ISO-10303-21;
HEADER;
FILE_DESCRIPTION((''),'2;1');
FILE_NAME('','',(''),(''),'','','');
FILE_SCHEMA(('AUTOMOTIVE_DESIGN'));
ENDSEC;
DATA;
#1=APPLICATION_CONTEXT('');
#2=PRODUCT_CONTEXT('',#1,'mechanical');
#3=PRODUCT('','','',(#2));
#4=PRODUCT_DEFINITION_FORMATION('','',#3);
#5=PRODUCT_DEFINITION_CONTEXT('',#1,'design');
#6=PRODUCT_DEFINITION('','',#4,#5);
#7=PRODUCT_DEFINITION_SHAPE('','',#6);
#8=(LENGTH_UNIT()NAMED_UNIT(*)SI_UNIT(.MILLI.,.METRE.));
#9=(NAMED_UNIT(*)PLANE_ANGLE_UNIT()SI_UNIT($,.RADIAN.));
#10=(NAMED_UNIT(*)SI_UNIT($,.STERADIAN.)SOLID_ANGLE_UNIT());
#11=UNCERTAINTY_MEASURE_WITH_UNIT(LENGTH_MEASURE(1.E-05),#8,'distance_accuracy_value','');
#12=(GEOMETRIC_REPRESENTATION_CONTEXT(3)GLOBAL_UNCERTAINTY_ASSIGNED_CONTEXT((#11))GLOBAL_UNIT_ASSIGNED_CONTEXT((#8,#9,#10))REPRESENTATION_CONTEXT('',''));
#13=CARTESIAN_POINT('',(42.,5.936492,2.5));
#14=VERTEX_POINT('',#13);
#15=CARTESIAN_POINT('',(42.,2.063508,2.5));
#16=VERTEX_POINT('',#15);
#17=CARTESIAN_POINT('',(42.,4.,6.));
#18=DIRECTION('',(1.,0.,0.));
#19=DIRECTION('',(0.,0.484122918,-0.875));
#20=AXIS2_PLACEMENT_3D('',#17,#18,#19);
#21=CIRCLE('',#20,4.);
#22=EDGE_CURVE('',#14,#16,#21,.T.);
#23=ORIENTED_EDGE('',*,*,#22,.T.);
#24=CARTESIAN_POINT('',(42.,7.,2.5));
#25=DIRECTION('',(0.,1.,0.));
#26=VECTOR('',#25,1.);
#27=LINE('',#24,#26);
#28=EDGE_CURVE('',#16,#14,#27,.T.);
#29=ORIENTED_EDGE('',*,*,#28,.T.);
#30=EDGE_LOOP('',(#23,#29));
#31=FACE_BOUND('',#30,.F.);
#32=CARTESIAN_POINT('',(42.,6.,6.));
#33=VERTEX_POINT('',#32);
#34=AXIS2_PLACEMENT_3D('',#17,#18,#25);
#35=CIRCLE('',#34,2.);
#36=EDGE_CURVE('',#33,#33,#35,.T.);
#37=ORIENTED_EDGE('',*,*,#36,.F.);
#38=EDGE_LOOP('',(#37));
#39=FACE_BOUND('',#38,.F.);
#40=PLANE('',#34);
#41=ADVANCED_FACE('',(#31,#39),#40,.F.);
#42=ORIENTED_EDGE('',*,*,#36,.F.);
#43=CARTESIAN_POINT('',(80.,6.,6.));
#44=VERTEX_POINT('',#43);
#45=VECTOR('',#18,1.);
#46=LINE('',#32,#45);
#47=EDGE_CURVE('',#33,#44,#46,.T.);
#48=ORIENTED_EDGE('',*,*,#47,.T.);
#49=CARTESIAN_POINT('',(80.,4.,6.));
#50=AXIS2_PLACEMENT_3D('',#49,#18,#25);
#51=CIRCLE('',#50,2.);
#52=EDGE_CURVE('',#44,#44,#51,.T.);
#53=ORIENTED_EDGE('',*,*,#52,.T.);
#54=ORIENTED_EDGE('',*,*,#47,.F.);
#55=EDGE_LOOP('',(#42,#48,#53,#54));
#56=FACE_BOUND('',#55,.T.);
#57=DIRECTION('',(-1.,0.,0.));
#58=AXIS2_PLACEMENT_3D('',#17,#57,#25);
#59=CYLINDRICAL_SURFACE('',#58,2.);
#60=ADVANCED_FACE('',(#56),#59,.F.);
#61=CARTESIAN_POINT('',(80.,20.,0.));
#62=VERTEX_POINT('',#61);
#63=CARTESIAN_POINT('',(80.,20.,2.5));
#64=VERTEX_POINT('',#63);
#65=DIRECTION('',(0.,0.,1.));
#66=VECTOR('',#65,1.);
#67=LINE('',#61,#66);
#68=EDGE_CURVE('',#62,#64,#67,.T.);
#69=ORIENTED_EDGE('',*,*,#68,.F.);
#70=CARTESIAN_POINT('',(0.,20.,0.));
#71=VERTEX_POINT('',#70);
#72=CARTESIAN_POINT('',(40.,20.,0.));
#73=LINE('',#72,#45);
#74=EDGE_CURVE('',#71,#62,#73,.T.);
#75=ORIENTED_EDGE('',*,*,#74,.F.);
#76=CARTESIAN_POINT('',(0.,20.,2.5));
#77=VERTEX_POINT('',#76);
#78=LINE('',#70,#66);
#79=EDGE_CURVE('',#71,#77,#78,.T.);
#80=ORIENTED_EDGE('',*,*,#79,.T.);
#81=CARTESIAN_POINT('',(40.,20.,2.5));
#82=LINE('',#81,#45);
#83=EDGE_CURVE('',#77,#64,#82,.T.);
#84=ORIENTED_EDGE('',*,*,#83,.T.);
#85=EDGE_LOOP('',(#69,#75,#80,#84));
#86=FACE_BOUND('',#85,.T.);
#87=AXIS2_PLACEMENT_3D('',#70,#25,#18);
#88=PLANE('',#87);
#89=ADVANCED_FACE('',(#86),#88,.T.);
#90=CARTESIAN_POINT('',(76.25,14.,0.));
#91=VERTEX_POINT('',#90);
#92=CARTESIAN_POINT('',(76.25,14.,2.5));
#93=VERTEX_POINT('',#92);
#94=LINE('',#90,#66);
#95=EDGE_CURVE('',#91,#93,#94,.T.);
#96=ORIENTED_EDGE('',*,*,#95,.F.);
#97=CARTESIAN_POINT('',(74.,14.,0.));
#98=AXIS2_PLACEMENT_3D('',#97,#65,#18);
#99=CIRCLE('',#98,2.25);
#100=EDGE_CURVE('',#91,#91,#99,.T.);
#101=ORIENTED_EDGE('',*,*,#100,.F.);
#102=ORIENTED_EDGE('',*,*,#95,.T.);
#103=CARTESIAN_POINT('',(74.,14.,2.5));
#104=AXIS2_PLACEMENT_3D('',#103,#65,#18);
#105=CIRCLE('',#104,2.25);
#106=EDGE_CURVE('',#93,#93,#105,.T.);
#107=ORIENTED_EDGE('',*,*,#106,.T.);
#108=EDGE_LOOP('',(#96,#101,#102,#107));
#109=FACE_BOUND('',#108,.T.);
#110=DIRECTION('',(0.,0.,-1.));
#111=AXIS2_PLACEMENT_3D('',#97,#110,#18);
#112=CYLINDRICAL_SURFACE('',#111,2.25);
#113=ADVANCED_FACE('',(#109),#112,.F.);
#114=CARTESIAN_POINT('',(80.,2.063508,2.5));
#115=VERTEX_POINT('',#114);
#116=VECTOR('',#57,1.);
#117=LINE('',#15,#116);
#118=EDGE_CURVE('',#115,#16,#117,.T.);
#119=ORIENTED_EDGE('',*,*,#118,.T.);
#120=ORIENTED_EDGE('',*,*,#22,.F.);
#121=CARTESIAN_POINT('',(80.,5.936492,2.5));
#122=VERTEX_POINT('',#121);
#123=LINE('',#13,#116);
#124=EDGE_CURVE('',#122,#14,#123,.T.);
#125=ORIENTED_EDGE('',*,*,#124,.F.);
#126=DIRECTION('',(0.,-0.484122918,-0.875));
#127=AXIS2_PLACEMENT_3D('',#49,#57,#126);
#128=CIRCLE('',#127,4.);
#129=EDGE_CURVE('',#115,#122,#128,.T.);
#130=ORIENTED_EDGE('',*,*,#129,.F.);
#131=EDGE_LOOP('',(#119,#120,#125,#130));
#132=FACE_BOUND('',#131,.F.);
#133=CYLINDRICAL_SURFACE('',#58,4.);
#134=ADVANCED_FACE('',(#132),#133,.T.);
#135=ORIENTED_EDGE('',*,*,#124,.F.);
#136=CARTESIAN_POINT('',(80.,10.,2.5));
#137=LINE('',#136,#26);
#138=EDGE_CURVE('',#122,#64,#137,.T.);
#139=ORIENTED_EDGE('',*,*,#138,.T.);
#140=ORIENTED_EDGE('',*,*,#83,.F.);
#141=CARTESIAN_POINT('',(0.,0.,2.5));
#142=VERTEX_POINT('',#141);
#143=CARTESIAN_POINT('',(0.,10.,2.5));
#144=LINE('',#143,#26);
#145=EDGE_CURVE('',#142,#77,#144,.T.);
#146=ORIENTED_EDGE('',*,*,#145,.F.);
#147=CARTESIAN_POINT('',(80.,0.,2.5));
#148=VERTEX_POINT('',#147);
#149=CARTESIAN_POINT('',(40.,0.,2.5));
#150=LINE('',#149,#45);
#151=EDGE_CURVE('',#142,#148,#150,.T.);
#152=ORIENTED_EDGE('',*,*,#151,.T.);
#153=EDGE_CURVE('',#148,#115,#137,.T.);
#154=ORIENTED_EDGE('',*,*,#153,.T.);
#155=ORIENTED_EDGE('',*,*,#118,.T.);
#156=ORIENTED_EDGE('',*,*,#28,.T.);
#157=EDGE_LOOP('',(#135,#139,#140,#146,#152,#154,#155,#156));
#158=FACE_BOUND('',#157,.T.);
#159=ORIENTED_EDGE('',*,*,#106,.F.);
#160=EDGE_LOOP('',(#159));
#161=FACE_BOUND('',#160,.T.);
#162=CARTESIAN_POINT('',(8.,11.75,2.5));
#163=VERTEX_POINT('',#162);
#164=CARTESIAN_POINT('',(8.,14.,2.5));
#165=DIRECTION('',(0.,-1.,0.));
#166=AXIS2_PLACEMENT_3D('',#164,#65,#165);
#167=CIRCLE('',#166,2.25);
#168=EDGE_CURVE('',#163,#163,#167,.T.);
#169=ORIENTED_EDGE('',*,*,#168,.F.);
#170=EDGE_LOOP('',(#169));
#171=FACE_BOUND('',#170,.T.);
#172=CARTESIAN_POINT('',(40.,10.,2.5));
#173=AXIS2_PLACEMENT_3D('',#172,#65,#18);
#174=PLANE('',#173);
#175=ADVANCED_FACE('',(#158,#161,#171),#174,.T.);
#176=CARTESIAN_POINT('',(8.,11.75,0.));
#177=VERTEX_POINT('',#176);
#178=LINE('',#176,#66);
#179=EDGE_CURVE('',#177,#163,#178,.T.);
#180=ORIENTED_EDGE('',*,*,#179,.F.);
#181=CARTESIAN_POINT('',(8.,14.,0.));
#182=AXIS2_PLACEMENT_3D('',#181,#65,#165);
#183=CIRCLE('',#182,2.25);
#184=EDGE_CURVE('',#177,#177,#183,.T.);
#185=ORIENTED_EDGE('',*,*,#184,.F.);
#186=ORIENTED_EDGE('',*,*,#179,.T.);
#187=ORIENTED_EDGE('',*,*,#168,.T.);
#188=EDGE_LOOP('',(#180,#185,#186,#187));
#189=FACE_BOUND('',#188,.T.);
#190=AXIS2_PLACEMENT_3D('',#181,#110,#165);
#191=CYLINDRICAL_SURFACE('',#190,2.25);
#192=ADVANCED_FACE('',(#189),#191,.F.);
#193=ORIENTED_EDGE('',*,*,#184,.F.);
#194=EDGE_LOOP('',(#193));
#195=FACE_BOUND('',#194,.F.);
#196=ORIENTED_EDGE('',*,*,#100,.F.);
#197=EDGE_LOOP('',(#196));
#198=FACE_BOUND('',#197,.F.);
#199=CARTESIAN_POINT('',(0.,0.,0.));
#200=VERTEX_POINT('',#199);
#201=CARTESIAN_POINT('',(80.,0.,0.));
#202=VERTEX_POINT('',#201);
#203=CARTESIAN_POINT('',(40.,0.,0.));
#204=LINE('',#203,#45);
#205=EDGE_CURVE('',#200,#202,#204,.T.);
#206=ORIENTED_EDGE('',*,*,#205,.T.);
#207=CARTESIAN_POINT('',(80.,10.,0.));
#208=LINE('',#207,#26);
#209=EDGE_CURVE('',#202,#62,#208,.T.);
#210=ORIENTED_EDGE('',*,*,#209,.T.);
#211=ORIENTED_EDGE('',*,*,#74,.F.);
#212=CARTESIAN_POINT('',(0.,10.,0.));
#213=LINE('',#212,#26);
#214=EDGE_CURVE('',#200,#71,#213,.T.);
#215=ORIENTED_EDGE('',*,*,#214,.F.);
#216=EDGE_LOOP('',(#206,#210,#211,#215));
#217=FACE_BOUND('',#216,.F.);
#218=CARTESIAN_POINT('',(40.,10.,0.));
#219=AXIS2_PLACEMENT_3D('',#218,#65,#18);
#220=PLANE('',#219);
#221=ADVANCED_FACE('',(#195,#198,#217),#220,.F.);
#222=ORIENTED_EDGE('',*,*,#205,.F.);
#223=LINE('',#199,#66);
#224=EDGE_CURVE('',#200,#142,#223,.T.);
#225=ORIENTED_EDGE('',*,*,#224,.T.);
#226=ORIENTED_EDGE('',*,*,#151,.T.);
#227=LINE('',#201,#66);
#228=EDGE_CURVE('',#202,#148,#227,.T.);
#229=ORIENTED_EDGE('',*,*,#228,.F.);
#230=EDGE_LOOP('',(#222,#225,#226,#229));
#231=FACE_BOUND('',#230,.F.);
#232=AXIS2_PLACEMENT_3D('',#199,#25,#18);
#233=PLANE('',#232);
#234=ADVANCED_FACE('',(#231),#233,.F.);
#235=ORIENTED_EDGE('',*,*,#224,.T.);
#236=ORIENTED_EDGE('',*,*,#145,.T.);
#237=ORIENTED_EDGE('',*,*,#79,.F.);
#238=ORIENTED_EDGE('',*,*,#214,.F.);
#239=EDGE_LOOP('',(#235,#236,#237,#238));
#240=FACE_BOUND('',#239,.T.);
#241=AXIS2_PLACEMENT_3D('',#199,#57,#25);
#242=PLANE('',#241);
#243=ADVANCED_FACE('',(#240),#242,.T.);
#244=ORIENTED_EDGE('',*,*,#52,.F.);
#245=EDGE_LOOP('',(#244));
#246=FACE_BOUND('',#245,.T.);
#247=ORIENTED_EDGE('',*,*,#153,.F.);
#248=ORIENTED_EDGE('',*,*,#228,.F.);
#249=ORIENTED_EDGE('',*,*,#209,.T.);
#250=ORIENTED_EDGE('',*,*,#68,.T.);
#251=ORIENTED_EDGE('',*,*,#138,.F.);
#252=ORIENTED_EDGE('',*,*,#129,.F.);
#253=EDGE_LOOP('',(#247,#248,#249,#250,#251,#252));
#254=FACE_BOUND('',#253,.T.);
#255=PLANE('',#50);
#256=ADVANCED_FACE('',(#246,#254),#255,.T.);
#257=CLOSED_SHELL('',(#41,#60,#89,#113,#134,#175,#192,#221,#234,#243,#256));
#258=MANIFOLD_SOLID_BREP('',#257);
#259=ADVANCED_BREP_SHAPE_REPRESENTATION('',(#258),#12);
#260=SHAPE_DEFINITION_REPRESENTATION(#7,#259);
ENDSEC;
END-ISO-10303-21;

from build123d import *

# Parameters (mm, degrees)
BOX_W             = 80
BOX_H             = 20
BOX_DEPTH         = 2.5
CYLINDER_R        = 4
CYLINDER_DEPTH    = 38
CYLINDER001_R     = 2
CYLINDER001_DEPTH = 38
CYLINDER002_R     = 2.25
CYLINDER002_DEPTH = 2.5
CYLINDER003_R     = 2.25
CYLINDER003_DEPTH = 2.5


with BuildPart() as part:
    # Box → Box (join)
    with BuildSketch(Plane.XY):
        with Locations((40, 10)):
            Rectangle(BOX_W, BOX_H)
    extrude(amount=BOX_DEPTH)

    # Cylinder → Cylinder (join)
    with BuildSketch(Plane(origin=(42, 4, 6), x_dir=(0, 1, 0), z_dir=(1, 0, 0))):
        Circle(CYLINDER_R)
    extrude(amount=CYLINDER_DEPTH)

    # Cylinder001 → Cylinder001 (cut)
    with BuildSketch(Plane(origin=(42, 4, 6), x_dir=(0, 1, 0), z_dir=(1, 0, 0))):
        Circle(CYLINDER001_R)
    extrude(amount=CYLINDER001_DEPTH, mode=Mode.SUBTRACT)

    # Cylinder002 → Cylinder002 (cut)
    with BuildSketch(Plane(origin=(8, 14, 0), x_dir=(0, -1, 0), z_dir=(0, 0, 1))):
        Circle(CYLINDER002_R)
    extrude(amount=CYLINDER002_DEPTH, mode=Mode.SUBTRACT)

    # Cylinder003 → Cylinder003 (cut)
    with BuildSketch(Plane(origin=(74, 14, 0), x_dir=(1, 0, 0), z_dir=(0, 0, 1))):
        Circle(CYLINDER003_R)
    extrude(amount=CYLINDER003_DEPTH, mode=Mode.SUBTRACT)


solid = part.part
